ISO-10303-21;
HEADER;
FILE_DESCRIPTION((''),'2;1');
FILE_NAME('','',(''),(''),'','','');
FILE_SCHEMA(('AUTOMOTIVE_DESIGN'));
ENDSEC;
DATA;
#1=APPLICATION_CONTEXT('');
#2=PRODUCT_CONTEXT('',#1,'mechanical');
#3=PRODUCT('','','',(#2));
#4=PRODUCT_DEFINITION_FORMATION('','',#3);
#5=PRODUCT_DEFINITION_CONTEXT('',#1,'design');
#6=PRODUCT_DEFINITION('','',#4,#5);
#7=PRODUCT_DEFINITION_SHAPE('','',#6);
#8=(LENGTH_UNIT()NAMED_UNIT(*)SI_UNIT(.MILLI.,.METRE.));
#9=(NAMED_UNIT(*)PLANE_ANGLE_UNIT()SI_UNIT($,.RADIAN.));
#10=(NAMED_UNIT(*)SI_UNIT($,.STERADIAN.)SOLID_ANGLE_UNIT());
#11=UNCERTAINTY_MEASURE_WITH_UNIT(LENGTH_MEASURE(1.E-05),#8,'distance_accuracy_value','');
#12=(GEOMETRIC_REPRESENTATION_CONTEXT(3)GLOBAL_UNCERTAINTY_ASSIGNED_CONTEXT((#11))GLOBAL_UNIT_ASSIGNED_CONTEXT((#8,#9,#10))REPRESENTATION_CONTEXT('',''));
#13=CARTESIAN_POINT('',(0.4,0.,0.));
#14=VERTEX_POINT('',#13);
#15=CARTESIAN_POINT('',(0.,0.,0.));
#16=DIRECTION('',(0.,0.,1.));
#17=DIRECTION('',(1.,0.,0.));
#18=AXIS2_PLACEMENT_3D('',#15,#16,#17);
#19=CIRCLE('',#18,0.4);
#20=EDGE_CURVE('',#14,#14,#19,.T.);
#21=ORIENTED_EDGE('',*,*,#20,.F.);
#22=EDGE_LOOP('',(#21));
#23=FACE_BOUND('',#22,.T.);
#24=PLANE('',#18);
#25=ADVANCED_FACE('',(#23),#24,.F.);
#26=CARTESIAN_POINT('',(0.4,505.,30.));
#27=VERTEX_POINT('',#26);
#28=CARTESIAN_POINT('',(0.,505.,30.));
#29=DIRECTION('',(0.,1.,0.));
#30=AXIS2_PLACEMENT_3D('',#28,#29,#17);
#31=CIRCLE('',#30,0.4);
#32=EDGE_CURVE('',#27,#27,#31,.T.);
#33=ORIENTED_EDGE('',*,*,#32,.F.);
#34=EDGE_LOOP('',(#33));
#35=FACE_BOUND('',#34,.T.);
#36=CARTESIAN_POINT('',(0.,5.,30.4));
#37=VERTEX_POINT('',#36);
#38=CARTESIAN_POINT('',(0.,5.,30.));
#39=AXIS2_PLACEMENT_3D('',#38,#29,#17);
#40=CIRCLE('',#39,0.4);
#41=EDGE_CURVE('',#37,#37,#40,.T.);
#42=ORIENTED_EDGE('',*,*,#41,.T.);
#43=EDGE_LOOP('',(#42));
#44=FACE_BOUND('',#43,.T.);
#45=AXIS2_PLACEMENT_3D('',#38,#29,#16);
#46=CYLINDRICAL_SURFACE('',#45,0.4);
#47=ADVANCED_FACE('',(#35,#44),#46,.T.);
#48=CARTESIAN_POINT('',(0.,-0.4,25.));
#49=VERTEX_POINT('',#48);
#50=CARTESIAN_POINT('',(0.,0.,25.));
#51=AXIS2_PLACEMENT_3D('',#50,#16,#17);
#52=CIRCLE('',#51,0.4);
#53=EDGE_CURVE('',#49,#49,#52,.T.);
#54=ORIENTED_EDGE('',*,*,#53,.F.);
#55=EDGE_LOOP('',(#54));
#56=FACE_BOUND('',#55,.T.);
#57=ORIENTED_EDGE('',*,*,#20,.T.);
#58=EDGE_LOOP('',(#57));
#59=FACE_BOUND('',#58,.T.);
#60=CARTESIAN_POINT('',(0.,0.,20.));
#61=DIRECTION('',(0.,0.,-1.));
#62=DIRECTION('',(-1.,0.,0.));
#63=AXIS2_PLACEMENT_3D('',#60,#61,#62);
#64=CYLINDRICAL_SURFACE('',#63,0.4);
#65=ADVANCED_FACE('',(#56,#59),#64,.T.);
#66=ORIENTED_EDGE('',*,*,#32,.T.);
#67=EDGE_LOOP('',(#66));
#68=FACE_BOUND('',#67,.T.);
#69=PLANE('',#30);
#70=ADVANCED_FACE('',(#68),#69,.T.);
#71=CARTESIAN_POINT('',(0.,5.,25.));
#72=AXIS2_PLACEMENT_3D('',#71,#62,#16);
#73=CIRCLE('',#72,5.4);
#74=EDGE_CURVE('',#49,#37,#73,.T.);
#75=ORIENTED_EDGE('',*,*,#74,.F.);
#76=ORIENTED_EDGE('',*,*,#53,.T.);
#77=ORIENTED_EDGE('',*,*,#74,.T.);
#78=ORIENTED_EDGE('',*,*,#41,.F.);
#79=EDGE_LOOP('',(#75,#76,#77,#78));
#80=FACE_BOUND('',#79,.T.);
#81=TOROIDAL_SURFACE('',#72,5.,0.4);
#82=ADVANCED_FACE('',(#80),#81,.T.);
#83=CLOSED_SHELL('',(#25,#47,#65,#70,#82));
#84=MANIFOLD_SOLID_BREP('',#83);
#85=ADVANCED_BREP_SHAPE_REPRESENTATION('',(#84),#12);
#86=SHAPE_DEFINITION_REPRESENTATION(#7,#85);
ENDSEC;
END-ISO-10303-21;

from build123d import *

# Parameters (mm, degrees)
SKETCH_1_R      = 0.4
EXTRUDE_1_DEPTH = 20
SKETCH_2_R      = 0.4


with BuildPart() as part:
    # ｽｹｯﾁ1 → ﾎﾞｽ - 押し出し1 (new body)
    with BuildSketch(Plane.XY):
        Circle(SKETCH_1_R)
    extrude(amount=EXTRUDE_1_DEPTH)

    # ｽｲｰﾌﾟ1: sweep along a path in ｽｹｯﾁ3
    with BuildLine(Plane(origin=(0, 0, 0), x_dir=(0, 0, -1), z_dir=(1, 0, 0))) as sweep_1_path:
        Line((-20, 0), (-25, 0))
        ThreePointArc((-25, 0), (-28.535533906, 1.464466094), (-30, 5))
        Line((-30, 5), (-30, 505))
    # ｽｹｯﾁ2 → ｽｲｰﾌﾟ1 (sweep)
    with BuildSketch(Plane.XY.offset(20)):
        Circle(SKETCH_2_R)
    sweep(path=sweep_1_path.line)


solid = part.part
